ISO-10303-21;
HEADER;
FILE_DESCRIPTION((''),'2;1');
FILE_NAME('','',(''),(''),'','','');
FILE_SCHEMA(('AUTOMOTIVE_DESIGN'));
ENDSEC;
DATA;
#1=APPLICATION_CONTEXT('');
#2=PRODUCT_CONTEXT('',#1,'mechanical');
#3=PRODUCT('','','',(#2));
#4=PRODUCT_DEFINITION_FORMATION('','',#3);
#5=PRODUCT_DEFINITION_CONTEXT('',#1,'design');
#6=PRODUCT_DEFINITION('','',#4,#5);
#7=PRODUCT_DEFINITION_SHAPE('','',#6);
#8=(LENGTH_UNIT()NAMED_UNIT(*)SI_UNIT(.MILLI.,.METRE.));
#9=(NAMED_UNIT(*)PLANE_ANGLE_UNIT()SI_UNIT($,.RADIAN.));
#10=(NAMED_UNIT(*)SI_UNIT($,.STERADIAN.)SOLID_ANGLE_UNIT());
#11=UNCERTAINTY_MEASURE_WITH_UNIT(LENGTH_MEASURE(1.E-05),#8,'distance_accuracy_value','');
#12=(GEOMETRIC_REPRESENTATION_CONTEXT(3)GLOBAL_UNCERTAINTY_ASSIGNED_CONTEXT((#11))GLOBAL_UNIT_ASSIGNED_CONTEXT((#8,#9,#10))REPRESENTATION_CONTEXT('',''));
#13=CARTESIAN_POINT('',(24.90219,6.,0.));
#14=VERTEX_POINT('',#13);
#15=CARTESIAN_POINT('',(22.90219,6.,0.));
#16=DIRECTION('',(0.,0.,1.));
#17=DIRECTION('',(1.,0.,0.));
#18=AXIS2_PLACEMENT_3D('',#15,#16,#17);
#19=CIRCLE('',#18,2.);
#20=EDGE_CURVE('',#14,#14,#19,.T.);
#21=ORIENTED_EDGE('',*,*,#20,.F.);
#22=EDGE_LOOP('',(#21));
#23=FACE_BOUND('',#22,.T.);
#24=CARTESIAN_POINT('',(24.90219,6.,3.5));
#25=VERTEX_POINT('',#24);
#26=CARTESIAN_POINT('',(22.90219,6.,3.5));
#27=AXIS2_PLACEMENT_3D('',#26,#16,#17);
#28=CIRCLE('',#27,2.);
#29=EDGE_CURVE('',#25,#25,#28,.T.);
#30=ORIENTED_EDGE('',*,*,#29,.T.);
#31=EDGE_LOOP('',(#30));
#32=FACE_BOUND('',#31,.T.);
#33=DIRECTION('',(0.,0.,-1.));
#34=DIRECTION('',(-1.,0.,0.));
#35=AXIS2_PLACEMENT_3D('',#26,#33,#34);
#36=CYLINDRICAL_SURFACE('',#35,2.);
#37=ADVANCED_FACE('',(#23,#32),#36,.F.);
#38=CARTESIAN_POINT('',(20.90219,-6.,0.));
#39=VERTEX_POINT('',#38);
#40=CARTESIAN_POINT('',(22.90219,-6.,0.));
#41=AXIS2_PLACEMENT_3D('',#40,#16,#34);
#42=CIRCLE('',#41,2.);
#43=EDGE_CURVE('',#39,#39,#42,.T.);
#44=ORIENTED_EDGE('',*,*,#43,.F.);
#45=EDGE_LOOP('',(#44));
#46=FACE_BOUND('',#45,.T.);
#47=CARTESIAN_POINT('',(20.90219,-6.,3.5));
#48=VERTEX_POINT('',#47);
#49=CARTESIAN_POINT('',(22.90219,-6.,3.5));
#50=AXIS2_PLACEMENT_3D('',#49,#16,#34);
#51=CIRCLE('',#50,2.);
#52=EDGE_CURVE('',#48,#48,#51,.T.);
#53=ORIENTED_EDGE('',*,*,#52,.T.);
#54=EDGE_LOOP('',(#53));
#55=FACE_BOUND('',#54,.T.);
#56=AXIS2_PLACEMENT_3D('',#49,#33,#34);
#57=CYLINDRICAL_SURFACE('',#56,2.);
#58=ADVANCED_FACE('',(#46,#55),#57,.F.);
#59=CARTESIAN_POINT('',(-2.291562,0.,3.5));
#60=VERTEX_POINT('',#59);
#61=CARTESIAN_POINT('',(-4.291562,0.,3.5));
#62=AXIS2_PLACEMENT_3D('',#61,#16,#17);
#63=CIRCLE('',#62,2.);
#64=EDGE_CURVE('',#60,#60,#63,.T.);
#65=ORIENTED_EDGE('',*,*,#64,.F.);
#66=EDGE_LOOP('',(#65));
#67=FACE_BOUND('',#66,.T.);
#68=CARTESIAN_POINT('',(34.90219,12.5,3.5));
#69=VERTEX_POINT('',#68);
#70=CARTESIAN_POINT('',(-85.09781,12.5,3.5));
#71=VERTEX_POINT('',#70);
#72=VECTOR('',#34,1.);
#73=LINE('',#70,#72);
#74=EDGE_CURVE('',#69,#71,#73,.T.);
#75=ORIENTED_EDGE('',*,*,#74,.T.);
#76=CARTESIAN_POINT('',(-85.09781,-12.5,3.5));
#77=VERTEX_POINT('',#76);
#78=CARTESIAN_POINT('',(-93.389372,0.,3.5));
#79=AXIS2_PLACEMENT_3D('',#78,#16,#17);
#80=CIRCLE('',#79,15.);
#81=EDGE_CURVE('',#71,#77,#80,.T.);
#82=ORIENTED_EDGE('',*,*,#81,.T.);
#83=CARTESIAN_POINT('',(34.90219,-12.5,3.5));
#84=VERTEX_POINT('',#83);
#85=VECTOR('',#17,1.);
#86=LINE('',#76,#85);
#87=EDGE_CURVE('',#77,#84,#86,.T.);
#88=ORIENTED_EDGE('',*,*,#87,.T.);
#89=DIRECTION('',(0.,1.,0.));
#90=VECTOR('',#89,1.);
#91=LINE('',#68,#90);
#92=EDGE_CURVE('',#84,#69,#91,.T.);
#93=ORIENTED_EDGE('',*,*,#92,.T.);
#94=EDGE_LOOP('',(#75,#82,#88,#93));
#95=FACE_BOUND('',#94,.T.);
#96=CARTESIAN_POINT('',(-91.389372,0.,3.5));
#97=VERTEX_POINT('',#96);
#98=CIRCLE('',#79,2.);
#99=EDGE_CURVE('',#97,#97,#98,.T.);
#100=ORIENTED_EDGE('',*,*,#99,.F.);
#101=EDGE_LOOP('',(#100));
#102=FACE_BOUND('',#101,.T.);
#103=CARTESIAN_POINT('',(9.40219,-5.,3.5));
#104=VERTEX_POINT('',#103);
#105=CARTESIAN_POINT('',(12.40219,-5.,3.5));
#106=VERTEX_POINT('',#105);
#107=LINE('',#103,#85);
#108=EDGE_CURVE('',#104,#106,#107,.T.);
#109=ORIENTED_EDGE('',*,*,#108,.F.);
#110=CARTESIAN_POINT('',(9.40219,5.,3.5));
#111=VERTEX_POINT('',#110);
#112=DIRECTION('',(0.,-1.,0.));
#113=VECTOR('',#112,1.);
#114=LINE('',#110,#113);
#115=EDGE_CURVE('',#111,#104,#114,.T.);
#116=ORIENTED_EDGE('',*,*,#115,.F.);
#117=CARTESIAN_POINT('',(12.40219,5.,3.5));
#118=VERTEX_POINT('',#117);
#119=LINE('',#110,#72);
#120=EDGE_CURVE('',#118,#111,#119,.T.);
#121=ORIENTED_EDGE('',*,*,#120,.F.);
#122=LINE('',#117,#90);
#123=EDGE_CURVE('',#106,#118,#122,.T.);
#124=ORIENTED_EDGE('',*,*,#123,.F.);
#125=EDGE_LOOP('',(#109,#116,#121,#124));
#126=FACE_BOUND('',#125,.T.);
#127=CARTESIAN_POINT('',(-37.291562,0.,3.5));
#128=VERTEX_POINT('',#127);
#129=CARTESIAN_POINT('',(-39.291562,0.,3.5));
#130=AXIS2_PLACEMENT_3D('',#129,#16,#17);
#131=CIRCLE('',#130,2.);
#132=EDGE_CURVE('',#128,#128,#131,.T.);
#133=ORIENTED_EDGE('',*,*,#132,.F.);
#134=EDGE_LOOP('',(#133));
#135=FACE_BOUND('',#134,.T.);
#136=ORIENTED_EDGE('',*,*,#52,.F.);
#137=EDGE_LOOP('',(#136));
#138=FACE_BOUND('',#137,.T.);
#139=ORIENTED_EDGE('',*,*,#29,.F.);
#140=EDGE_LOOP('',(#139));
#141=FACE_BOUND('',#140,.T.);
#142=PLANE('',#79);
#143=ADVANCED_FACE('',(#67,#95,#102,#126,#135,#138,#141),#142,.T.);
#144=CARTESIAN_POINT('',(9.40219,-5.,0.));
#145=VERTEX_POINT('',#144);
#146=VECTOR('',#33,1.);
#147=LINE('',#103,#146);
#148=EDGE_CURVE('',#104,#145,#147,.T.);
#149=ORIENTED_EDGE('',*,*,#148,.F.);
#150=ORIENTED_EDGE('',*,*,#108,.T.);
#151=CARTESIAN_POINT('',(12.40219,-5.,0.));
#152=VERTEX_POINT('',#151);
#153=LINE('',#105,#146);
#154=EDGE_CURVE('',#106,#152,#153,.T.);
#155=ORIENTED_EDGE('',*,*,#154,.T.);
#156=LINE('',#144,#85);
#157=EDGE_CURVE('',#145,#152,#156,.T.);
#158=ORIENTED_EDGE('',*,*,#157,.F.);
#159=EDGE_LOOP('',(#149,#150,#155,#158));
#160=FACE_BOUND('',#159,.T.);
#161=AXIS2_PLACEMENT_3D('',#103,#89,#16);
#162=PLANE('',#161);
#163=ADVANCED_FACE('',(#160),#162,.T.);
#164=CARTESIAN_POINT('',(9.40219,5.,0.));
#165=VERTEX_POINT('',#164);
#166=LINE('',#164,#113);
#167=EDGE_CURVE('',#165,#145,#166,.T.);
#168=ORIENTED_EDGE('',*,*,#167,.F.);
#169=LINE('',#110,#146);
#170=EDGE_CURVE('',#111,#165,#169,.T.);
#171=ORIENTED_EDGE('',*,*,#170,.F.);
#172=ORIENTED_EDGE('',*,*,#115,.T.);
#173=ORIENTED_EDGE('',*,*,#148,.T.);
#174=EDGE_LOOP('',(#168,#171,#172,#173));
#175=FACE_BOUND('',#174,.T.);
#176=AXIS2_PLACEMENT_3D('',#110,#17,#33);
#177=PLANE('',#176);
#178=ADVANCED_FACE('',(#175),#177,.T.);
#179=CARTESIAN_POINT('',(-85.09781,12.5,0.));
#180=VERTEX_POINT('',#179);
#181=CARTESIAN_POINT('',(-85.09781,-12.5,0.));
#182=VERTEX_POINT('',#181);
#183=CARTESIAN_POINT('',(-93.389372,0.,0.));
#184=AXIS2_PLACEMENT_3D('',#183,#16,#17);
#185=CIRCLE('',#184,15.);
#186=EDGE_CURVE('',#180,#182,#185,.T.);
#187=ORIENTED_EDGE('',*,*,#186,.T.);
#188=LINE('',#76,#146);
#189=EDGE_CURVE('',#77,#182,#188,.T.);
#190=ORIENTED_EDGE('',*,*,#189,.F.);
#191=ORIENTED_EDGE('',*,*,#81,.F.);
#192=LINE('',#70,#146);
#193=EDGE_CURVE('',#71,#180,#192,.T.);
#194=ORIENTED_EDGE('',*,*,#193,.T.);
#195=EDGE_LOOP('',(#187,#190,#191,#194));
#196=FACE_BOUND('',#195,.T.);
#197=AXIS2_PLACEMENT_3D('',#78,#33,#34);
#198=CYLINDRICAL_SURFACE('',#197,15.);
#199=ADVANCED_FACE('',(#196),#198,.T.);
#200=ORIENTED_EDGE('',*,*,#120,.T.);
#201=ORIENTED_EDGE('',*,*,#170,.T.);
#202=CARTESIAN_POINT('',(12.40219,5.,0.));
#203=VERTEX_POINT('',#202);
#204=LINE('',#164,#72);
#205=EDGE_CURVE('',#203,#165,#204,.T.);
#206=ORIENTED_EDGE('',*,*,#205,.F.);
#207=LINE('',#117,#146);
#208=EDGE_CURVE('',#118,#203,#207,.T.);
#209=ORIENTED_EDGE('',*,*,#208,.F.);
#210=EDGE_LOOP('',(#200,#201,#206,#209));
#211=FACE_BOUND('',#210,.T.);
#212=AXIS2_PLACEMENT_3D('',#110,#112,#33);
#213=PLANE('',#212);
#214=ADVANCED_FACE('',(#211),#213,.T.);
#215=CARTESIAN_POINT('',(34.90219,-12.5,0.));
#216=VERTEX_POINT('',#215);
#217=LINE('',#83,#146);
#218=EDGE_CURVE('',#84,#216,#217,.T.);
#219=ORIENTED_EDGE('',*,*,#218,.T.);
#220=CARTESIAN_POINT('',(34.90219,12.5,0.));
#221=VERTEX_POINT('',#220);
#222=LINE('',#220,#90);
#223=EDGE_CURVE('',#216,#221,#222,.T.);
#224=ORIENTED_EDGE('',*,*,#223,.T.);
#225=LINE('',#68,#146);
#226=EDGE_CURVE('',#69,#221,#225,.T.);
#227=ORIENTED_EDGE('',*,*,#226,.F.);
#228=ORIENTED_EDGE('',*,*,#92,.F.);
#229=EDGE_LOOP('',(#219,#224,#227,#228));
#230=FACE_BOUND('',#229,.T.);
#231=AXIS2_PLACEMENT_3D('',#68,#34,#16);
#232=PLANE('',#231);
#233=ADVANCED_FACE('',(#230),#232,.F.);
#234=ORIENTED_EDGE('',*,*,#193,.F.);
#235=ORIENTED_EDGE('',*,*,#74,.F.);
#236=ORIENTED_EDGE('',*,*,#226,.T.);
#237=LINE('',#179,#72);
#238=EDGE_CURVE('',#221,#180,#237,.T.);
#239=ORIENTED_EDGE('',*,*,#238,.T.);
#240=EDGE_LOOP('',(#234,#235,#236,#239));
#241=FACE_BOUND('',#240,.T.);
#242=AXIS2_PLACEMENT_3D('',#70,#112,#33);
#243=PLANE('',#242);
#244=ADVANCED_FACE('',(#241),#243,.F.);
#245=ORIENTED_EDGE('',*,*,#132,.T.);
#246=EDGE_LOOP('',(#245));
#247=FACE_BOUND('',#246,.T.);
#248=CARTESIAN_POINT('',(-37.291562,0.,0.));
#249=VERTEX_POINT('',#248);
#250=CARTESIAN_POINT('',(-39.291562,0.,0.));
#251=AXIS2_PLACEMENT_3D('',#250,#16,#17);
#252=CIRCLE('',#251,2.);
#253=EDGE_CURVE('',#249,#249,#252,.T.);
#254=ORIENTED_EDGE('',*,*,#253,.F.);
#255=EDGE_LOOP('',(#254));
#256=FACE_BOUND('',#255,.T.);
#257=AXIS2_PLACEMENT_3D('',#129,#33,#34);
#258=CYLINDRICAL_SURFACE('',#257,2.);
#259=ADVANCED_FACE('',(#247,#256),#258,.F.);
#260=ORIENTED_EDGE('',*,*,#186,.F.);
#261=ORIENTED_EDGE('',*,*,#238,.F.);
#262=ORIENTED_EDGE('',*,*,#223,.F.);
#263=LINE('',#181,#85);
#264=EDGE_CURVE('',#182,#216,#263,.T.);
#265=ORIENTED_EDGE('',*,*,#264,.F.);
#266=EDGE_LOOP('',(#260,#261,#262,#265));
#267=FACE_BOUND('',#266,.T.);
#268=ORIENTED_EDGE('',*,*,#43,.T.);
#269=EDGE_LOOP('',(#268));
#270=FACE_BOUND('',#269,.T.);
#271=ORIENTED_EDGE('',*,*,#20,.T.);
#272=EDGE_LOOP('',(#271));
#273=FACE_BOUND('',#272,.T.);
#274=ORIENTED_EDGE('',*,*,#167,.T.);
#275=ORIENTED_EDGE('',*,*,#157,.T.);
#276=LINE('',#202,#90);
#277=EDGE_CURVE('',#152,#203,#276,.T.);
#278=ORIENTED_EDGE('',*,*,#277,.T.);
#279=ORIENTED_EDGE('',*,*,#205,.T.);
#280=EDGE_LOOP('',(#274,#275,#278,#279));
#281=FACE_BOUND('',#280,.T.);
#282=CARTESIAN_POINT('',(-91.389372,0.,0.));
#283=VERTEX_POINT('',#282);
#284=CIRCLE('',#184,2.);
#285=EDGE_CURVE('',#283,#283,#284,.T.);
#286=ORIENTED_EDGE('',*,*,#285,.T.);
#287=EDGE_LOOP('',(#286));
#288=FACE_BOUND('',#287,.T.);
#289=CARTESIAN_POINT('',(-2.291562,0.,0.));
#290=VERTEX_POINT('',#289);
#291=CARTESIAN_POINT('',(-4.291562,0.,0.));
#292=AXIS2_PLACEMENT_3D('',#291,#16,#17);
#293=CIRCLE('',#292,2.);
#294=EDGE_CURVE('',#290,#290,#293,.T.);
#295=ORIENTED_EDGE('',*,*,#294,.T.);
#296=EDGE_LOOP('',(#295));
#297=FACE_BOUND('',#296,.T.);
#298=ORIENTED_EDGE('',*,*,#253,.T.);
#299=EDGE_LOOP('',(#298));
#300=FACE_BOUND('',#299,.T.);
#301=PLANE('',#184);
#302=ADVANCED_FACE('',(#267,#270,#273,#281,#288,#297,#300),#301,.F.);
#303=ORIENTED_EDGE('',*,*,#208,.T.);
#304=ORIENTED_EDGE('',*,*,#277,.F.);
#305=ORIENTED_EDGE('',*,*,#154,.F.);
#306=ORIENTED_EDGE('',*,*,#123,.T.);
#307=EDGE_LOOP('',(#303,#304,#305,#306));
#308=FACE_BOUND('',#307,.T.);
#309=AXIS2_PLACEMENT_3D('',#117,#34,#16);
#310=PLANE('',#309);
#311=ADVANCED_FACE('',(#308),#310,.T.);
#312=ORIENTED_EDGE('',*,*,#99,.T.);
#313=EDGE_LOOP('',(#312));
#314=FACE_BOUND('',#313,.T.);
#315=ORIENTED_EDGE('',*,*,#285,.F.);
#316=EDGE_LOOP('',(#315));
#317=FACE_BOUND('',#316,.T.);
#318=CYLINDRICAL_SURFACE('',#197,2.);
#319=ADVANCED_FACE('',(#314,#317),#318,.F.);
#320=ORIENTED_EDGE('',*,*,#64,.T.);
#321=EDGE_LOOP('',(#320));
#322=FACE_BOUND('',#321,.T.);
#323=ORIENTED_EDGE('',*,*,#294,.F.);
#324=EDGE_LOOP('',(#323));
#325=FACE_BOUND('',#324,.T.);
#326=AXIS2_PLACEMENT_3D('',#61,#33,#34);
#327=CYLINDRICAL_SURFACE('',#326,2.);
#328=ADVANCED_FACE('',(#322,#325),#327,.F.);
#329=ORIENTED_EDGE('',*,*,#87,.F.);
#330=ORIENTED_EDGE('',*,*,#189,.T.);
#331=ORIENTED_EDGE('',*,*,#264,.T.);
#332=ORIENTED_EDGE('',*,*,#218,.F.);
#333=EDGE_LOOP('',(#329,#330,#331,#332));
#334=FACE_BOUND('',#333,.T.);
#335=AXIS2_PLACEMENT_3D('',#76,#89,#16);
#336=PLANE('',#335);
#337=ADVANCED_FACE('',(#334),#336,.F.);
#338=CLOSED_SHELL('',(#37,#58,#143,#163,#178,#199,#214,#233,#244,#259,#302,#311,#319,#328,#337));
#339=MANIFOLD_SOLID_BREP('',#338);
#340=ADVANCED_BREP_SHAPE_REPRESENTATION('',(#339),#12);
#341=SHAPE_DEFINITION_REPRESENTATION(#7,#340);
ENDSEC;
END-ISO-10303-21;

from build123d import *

# Parameters (mm, degrees)
CROQUIS1_R              = 2
CROQUIS1_W              = 3
CROQUIS1_H              = 10
SALIENTE_EXTRUIR2_DEPTH = 3.5


with BuildPart() as part:
    # Croquis1 → Saliente-Extruir2 (new body)
    with BuildSketch(Plane.XY):
        with BuildLine():
            Line((34.902189702, 12.5), (34.902189702, -12.5))
            Line((34.902189702, -12.5), (-85.097810298, -12.5))
            ThreePointArc((-85.097810298, -12.5), (-108.389372273, 0), (-85.097810298, 12.5))
            Line((-85.097810298, 12.5), (34.902189702, 12.5))
        make_face()
        with Locations((-93.389372273, 0)):
            Circle(CROQUIS1_R, mode=Mode.SUBTRACT)
        with Locations((22.902189702, 6)):
            Circle(CROQUIS1_R, mode=Mode.SUBTRACT)
        with Locations((22.902189702, -6)):
            Circle(CROQUIS1_R, mode=Mode.SUBTRACT)
        with Locations((-39.291561976, 0)):
            Circle(CROQUIS1_R, mode=Mode.SUBTRACT)
        with Locations((-4.291561976, 0)):
            Circle(CROQUIS1_R, mode=Mode.SUBTRACT)
        with Locations((10.902189702, 0)):
            Rectangle(CROQUIS1_W, CROQUIS1_H, mode=Mode.SUBTRACT)
    extrude(amount=SALIENTE_EXTRUIR2_DEPTH)


solid = part.part
